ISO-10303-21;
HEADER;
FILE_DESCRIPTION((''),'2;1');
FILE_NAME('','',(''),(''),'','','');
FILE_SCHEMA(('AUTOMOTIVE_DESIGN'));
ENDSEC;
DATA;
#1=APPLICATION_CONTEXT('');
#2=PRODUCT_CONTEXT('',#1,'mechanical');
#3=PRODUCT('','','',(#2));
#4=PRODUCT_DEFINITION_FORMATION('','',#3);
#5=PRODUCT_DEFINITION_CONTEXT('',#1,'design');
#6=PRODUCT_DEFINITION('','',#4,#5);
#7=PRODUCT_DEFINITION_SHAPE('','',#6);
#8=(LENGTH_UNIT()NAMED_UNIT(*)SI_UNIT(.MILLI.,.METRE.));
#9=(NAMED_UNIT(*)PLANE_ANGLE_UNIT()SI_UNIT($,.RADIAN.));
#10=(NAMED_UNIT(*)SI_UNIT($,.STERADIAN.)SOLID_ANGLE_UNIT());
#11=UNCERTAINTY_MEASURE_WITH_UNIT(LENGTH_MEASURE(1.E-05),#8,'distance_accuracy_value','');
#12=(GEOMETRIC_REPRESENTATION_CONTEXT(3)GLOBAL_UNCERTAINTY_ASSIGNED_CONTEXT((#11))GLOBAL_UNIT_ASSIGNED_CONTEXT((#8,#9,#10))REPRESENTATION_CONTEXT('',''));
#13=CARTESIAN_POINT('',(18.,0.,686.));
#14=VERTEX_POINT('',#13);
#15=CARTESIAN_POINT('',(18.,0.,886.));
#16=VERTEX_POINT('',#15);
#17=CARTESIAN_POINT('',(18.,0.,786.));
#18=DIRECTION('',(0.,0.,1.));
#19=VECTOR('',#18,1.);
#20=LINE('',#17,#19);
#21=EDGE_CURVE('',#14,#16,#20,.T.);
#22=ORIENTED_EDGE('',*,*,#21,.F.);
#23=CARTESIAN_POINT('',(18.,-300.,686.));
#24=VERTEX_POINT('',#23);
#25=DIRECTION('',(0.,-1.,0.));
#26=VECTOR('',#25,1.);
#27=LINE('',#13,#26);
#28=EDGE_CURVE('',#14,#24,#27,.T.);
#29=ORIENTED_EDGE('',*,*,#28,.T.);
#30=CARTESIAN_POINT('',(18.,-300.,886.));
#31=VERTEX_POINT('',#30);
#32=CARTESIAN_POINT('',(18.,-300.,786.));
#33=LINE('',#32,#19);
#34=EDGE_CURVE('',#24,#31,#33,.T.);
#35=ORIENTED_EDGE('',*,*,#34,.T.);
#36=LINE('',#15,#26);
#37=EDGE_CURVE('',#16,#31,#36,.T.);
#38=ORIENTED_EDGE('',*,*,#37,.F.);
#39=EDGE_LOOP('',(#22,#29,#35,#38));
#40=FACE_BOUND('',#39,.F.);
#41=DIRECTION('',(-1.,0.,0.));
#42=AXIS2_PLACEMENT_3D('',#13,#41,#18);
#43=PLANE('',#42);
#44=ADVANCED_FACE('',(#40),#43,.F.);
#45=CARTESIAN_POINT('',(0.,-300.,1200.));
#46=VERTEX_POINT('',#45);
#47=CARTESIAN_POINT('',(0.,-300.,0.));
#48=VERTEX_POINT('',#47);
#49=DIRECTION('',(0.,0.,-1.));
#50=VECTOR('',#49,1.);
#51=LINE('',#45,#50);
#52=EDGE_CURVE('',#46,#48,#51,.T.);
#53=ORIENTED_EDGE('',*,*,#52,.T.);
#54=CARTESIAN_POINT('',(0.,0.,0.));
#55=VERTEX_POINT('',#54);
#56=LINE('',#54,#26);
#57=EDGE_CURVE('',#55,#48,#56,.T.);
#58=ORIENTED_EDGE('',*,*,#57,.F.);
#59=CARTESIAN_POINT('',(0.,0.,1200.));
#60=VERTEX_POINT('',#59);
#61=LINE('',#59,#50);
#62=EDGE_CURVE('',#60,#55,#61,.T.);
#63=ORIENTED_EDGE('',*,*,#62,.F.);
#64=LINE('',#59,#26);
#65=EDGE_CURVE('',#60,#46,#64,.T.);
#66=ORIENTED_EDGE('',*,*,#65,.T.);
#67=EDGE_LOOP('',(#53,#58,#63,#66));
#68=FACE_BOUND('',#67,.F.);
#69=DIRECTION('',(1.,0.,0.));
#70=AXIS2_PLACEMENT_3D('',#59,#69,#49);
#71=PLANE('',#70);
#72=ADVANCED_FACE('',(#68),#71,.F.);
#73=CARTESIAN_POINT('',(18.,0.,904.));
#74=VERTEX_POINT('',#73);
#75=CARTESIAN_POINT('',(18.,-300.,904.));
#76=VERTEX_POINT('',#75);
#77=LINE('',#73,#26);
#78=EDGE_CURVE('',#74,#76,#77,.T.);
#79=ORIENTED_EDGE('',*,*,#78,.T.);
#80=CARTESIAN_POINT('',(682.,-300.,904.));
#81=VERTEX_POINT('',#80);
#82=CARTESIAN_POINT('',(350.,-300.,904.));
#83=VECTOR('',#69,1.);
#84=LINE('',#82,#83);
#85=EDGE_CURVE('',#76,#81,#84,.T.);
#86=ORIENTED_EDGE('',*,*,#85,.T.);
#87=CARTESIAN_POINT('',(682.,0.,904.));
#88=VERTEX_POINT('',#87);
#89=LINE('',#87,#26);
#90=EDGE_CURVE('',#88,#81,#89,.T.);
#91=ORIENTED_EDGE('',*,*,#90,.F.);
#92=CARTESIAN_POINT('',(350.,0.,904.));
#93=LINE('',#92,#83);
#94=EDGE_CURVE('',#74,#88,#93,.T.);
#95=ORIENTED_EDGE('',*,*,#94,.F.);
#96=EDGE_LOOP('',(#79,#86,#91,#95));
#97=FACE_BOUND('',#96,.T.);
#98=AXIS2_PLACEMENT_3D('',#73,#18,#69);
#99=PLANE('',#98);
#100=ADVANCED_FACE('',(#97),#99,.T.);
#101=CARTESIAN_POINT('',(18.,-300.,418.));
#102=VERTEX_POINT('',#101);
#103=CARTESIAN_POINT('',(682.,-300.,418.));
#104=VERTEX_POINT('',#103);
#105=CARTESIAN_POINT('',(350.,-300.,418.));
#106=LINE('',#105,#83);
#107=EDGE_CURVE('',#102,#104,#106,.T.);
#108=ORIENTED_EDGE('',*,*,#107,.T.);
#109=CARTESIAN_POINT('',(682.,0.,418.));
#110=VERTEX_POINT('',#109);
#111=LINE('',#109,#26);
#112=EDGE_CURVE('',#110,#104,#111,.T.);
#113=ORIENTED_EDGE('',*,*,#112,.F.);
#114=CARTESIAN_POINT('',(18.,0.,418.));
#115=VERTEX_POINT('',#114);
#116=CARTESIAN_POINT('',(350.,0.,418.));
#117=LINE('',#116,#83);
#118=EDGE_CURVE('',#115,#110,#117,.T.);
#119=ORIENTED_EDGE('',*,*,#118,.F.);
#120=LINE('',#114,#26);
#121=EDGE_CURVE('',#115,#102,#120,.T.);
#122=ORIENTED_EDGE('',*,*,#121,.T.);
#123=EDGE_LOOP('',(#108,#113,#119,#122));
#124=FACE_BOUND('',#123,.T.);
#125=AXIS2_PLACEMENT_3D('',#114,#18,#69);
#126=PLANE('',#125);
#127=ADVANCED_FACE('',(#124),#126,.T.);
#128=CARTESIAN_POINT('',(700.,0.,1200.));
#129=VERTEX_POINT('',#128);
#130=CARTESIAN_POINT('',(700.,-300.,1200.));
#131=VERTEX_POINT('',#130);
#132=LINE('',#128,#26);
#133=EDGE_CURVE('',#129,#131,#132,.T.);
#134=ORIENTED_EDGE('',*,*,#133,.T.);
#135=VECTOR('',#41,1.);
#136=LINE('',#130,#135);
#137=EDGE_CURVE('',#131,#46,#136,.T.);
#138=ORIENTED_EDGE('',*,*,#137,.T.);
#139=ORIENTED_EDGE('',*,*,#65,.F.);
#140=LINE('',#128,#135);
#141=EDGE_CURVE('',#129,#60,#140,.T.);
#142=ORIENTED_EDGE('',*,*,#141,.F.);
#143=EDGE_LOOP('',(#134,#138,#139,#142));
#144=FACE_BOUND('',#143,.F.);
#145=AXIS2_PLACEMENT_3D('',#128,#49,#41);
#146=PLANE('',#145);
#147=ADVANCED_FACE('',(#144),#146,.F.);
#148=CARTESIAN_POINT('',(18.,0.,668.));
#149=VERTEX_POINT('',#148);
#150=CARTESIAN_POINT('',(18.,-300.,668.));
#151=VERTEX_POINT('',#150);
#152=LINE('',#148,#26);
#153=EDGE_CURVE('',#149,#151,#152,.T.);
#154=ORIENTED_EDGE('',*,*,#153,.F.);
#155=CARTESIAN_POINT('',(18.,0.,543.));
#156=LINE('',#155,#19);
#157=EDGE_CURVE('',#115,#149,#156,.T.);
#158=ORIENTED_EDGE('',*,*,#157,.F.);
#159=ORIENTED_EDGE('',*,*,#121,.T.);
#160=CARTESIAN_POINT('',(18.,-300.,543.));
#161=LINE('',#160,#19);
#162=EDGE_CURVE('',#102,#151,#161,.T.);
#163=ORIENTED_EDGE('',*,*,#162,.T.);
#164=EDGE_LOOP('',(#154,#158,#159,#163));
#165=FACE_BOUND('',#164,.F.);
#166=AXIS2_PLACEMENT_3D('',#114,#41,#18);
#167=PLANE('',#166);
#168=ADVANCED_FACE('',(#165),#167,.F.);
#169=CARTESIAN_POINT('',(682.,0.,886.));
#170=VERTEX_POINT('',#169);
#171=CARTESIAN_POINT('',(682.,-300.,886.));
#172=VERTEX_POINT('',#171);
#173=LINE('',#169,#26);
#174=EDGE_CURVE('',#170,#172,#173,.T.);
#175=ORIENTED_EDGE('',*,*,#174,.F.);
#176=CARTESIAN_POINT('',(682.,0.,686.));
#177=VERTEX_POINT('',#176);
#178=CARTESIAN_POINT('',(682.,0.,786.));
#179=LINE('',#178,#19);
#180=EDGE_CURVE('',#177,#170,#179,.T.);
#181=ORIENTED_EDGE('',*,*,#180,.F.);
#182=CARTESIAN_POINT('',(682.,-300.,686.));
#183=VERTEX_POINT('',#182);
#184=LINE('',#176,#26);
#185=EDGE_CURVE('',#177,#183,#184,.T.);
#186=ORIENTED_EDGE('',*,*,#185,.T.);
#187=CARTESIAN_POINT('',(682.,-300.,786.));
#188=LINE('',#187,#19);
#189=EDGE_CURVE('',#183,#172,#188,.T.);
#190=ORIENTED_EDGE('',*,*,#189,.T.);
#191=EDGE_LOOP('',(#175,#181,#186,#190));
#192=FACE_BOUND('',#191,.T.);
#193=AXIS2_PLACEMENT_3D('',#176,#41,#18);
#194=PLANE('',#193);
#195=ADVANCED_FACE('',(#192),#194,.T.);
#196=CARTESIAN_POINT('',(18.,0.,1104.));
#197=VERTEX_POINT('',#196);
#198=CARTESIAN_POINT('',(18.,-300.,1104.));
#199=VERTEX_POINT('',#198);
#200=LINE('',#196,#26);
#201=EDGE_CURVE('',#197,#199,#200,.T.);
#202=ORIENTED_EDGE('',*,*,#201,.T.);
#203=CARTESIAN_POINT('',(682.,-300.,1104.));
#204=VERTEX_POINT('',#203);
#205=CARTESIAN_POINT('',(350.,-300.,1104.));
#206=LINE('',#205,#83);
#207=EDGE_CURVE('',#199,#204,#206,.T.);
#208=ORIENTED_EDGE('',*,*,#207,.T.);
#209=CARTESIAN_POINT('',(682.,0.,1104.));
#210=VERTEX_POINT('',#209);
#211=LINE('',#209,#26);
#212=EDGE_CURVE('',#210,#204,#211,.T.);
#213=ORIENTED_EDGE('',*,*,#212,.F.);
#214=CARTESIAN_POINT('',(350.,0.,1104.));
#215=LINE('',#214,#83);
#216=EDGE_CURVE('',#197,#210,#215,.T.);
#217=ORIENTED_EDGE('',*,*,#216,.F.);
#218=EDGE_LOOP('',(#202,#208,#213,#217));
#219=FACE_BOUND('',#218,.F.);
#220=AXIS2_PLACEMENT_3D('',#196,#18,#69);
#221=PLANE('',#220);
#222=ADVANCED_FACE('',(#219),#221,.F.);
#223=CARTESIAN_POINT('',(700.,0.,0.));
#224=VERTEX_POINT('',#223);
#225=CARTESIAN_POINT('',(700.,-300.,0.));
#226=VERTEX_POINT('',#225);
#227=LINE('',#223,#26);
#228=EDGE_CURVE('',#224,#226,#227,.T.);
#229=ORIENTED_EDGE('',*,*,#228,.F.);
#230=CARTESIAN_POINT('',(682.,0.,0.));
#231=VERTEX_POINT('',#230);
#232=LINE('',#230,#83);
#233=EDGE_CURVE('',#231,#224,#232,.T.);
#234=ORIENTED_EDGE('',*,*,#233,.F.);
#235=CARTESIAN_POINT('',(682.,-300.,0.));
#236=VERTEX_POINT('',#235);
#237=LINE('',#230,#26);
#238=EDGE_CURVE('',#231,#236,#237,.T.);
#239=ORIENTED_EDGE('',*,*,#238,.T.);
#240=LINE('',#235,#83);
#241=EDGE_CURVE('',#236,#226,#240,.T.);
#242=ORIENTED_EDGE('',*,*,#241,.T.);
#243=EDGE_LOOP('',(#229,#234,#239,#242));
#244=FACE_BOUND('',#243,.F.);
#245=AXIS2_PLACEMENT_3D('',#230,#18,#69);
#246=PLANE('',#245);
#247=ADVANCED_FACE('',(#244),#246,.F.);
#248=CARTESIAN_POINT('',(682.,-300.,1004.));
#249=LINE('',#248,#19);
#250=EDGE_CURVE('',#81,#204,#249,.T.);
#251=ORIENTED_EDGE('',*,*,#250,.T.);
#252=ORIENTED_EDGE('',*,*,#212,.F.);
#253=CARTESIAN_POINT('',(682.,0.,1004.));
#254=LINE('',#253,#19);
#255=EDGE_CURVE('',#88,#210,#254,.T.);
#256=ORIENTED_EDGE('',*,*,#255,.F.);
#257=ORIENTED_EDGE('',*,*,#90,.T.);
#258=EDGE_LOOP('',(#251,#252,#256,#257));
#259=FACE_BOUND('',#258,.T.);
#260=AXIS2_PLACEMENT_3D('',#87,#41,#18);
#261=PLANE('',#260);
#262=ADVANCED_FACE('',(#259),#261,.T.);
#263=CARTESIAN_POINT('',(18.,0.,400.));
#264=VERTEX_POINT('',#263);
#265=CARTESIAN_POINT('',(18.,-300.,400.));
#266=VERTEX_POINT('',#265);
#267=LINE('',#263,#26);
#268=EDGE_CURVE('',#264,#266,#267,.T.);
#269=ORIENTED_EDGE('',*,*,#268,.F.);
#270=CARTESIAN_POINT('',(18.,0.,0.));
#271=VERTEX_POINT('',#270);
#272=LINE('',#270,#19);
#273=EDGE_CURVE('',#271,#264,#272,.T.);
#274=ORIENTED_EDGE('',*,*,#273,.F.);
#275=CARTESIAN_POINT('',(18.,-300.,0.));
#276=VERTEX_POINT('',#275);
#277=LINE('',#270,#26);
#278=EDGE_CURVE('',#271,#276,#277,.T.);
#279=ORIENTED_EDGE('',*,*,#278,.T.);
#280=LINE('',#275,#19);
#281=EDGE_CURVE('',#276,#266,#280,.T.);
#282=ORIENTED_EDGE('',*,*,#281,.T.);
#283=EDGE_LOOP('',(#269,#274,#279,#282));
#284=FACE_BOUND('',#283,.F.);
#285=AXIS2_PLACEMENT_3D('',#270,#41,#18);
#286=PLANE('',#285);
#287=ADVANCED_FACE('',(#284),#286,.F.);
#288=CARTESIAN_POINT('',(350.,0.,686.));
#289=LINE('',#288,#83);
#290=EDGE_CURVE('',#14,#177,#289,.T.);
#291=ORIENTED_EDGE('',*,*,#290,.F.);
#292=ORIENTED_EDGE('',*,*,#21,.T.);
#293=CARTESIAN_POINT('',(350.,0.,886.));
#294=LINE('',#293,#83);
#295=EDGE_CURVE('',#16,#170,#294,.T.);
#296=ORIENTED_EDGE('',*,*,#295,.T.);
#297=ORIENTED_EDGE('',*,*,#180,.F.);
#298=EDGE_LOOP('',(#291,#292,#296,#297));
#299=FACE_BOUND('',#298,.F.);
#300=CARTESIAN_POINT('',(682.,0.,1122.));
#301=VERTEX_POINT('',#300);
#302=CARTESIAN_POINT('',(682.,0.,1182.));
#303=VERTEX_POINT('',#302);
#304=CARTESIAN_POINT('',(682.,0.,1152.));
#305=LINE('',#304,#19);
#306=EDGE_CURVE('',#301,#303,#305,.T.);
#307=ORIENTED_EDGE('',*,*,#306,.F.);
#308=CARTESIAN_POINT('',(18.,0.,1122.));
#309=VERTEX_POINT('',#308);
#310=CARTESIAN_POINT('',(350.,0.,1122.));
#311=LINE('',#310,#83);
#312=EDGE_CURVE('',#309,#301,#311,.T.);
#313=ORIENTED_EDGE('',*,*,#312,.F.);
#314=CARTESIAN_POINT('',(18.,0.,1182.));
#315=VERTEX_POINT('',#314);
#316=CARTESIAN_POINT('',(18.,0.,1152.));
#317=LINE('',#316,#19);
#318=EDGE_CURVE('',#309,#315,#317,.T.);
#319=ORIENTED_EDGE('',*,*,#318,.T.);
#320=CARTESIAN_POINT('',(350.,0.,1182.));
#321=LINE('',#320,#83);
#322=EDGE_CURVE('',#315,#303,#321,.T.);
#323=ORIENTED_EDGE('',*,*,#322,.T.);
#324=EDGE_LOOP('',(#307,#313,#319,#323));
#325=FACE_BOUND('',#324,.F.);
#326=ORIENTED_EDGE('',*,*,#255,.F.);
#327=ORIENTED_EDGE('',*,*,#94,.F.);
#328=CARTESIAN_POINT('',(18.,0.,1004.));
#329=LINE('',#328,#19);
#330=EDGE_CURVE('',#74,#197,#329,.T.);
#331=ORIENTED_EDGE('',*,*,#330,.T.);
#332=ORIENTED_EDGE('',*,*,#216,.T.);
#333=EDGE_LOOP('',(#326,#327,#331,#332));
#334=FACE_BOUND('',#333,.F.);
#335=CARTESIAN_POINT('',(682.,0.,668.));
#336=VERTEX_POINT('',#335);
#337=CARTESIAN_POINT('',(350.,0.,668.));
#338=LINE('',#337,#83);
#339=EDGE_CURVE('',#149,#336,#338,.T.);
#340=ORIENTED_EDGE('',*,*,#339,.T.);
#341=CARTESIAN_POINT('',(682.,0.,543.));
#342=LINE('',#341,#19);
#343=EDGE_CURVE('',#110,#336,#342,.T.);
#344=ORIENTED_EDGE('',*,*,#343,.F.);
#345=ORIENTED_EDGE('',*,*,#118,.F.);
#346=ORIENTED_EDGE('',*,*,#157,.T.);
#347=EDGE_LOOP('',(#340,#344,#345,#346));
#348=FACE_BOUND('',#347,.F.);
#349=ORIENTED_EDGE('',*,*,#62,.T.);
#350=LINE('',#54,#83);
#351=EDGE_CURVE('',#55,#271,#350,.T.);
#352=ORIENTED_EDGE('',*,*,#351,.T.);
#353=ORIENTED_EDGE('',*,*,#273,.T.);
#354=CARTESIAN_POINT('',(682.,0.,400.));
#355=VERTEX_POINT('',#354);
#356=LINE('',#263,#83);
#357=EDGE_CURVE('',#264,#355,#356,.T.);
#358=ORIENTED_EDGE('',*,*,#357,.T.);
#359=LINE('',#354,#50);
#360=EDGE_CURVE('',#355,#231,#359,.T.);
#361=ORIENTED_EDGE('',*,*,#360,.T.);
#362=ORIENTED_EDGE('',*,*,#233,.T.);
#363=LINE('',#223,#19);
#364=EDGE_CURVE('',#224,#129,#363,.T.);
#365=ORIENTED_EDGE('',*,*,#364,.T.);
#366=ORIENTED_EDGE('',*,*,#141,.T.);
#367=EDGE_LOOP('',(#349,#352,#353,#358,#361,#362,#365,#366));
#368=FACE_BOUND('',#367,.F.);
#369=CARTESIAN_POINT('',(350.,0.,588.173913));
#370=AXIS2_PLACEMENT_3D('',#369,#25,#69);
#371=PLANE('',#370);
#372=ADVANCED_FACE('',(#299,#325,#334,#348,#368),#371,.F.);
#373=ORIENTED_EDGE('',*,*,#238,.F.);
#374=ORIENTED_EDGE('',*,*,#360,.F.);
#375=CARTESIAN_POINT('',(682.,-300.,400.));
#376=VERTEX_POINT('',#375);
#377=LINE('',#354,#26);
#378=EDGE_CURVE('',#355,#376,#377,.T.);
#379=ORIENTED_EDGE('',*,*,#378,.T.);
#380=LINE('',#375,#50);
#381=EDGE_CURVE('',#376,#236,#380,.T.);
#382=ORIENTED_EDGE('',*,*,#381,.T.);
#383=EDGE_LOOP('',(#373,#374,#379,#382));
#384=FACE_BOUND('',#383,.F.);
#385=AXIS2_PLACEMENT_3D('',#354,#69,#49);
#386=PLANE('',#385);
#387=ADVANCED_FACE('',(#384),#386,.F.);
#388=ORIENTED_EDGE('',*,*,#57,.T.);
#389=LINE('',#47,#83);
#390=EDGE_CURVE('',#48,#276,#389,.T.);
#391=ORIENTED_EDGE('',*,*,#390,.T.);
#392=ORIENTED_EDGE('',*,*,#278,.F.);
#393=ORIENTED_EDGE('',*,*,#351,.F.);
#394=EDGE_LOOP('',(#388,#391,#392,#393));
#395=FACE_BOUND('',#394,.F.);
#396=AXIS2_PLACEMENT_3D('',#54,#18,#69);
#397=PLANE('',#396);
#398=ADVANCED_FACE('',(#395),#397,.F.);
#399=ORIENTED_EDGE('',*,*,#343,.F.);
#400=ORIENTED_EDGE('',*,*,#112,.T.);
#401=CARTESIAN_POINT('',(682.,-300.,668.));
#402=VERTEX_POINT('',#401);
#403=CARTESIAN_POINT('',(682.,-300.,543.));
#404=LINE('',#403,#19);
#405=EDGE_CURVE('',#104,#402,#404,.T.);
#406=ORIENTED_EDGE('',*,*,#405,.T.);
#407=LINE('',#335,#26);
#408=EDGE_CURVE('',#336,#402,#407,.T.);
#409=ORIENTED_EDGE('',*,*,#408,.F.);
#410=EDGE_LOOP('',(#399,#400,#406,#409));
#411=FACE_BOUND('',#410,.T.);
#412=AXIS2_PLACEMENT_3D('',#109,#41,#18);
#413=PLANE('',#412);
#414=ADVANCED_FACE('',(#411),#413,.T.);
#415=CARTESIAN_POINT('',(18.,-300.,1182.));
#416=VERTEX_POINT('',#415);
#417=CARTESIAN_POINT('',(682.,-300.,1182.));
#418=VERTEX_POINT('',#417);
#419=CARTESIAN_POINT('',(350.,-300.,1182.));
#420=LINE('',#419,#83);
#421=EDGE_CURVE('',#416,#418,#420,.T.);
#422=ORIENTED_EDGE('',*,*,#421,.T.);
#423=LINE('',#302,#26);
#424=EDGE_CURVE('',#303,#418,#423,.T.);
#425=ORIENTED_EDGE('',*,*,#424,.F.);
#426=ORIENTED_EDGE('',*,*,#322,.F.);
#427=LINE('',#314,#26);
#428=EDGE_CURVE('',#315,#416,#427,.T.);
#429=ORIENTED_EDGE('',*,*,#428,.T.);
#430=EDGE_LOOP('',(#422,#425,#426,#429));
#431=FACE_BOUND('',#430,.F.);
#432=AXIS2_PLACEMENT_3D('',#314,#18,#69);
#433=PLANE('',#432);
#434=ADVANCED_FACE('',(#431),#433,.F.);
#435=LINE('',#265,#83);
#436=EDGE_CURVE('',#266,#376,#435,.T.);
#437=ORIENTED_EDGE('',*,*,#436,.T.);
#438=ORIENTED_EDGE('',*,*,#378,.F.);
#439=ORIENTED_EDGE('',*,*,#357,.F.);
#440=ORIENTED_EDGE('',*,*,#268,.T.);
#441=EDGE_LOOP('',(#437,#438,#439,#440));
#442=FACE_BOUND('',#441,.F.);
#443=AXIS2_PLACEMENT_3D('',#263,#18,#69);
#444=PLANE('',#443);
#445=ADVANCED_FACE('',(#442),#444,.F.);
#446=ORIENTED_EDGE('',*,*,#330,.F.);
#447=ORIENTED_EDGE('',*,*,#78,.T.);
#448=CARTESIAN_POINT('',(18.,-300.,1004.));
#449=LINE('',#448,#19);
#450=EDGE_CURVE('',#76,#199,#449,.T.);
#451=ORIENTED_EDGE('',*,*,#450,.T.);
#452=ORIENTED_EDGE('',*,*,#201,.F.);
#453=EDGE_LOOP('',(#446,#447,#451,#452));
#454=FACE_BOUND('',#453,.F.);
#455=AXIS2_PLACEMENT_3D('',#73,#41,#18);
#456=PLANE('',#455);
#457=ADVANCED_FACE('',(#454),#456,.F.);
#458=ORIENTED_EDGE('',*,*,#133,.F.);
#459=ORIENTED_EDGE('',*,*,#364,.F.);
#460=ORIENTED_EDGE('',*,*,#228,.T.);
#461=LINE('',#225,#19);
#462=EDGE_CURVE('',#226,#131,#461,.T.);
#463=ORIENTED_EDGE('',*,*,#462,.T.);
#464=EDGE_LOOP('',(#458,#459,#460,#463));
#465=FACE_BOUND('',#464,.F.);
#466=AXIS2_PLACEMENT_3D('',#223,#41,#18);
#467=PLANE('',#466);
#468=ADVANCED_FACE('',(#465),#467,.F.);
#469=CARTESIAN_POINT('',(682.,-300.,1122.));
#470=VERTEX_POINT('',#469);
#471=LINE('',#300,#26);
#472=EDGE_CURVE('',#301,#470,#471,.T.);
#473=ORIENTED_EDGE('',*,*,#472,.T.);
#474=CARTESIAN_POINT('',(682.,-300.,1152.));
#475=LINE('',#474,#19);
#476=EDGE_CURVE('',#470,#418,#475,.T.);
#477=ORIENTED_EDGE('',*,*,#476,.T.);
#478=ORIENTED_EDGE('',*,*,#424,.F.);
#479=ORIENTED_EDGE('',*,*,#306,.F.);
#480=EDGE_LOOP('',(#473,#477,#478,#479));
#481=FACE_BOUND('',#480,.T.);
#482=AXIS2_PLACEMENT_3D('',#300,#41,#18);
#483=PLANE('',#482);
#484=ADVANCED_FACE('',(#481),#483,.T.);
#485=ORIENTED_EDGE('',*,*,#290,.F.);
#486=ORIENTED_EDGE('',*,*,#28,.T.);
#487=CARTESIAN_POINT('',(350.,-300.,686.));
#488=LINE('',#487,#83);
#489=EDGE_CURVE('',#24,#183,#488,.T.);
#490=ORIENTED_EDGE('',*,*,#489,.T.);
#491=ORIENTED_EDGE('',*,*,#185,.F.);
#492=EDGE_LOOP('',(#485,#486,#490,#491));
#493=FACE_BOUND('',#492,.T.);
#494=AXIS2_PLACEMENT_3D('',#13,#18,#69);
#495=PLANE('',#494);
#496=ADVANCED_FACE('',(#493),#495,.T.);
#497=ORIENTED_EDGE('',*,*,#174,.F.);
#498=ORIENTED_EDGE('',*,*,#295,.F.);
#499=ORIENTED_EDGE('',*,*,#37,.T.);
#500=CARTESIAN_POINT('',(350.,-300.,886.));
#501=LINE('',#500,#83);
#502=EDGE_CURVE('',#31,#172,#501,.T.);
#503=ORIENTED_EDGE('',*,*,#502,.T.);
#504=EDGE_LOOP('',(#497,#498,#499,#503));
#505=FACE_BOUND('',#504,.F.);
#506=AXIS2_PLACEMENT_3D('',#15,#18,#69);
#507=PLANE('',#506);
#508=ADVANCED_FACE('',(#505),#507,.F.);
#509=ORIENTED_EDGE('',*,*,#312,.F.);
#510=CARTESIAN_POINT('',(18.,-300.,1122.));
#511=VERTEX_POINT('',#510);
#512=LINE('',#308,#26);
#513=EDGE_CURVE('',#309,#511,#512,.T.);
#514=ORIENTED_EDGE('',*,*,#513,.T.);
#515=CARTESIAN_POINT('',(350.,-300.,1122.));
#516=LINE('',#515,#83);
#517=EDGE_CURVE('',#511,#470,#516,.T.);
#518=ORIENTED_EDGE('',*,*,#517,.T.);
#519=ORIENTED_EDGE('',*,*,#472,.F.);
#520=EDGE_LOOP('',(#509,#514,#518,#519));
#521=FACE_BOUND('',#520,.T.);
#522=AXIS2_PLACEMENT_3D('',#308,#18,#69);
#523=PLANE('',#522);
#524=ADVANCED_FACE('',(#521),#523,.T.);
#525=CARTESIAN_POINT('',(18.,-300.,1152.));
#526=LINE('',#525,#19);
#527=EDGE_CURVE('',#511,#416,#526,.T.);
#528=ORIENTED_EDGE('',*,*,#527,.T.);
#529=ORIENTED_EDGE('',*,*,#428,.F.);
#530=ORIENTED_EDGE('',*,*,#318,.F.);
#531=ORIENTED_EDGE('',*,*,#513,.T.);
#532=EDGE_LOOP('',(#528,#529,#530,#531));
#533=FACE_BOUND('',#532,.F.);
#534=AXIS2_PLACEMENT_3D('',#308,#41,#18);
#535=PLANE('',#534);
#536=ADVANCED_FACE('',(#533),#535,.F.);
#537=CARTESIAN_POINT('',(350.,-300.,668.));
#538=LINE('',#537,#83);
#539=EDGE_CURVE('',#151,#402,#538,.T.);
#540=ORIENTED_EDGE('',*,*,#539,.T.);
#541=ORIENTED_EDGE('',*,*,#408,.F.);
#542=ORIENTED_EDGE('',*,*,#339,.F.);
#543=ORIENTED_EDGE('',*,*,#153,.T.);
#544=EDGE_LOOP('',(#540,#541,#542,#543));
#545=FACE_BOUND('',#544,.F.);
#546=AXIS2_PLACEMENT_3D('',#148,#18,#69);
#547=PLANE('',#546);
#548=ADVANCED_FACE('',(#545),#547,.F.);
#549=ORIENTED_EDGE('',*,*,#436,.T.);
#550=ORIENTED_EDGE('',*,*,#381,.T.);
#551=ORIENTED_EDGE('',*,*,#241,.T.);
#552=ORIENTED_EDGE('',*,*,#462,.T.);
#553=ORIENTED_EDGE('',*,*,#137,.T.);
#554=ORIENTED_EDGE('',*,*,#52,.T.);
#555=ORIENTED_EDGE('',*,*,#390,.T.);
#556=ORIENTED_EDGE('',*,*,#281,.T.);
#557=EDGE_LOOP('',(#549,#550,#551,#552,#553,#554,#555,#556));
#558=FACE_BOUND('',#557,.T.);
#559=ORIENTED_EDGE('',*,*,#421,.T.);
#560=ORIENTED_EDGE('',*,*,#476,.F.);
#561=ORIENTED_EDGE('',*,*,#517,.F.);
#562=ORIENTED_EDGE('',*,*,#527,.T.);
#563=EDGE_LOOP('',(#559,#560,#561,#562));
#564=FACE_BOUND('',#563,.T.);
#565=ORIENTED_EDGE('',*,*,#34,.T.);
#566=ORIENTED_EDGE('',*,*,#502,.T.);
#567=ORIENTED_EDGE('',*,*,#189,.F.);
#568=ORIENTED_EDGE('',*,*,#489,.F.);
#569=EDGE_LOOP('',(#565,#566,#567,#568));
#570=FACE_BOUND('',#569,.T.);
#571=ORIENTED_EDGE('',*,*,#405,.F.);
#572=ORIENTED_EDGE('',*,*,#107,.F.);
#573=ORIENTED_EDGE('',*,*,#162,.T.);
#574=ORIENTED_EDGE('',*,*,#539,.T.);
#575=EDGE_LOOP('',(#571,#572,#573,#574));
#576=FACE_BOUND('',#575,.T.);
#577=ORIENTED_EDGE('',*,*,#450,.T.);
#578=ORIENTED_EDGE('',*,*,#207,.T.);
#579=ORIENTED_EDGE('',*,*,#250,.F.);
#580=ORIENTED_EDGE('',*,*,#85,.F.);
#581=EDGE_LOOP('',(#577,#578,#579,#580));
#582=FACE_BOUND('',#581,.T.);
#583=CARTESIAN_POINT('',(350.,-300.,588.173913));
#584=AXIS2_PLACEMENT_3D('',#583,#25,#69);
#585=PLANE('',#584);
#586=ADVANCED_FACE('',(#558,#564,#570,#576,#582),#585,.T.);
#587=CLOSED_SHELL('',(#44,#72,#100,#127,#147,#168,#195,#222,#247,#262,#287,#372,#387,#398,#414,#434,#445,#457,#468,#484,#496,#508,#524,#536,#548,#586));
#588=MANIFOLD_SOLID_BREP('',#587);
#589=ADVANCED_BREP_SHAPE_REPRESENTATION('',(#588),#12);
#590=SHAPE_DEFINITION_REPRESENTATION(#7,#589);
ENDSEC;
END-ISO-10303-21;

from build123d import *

# Parameters (mm, degrees)
F0_W     = 664
F0_H     = 250
F0_H_2   = 200
F0_H_3   = 60
F1_DEPTH = 300


with BuildPart() as f1:
    # F0 (on Front) → F1 (new body)
    with BuildSketch(Plane.XZ):
        Polygon((0, 1200), (0, 0), (18, 0), (18, 400), (682, 400), (682, 0), (700, 0), (700, 1200), (682, 1200), (18, 1200), align=None)
        with Locations((350, 543)):
            Rectangle(F0_W, F0_H, mode=Mode.SUBTRACT)
        with Locations((350, 786)):
            Rectangle(F0_W, F0_H_2, mode=Mode.SUBTRACT)
        with Locations((350, 1004)):
            Rectangle(F0_W, F0_H_2, mode=Mode.SUBTRACT)
        with Locations((350, 1152)):
            Rectangle(F0_W, F0_H_3, mode=Mode.SUBTRACT)
    extrude(amount=F1_DEPTH)


solid = f1.part
